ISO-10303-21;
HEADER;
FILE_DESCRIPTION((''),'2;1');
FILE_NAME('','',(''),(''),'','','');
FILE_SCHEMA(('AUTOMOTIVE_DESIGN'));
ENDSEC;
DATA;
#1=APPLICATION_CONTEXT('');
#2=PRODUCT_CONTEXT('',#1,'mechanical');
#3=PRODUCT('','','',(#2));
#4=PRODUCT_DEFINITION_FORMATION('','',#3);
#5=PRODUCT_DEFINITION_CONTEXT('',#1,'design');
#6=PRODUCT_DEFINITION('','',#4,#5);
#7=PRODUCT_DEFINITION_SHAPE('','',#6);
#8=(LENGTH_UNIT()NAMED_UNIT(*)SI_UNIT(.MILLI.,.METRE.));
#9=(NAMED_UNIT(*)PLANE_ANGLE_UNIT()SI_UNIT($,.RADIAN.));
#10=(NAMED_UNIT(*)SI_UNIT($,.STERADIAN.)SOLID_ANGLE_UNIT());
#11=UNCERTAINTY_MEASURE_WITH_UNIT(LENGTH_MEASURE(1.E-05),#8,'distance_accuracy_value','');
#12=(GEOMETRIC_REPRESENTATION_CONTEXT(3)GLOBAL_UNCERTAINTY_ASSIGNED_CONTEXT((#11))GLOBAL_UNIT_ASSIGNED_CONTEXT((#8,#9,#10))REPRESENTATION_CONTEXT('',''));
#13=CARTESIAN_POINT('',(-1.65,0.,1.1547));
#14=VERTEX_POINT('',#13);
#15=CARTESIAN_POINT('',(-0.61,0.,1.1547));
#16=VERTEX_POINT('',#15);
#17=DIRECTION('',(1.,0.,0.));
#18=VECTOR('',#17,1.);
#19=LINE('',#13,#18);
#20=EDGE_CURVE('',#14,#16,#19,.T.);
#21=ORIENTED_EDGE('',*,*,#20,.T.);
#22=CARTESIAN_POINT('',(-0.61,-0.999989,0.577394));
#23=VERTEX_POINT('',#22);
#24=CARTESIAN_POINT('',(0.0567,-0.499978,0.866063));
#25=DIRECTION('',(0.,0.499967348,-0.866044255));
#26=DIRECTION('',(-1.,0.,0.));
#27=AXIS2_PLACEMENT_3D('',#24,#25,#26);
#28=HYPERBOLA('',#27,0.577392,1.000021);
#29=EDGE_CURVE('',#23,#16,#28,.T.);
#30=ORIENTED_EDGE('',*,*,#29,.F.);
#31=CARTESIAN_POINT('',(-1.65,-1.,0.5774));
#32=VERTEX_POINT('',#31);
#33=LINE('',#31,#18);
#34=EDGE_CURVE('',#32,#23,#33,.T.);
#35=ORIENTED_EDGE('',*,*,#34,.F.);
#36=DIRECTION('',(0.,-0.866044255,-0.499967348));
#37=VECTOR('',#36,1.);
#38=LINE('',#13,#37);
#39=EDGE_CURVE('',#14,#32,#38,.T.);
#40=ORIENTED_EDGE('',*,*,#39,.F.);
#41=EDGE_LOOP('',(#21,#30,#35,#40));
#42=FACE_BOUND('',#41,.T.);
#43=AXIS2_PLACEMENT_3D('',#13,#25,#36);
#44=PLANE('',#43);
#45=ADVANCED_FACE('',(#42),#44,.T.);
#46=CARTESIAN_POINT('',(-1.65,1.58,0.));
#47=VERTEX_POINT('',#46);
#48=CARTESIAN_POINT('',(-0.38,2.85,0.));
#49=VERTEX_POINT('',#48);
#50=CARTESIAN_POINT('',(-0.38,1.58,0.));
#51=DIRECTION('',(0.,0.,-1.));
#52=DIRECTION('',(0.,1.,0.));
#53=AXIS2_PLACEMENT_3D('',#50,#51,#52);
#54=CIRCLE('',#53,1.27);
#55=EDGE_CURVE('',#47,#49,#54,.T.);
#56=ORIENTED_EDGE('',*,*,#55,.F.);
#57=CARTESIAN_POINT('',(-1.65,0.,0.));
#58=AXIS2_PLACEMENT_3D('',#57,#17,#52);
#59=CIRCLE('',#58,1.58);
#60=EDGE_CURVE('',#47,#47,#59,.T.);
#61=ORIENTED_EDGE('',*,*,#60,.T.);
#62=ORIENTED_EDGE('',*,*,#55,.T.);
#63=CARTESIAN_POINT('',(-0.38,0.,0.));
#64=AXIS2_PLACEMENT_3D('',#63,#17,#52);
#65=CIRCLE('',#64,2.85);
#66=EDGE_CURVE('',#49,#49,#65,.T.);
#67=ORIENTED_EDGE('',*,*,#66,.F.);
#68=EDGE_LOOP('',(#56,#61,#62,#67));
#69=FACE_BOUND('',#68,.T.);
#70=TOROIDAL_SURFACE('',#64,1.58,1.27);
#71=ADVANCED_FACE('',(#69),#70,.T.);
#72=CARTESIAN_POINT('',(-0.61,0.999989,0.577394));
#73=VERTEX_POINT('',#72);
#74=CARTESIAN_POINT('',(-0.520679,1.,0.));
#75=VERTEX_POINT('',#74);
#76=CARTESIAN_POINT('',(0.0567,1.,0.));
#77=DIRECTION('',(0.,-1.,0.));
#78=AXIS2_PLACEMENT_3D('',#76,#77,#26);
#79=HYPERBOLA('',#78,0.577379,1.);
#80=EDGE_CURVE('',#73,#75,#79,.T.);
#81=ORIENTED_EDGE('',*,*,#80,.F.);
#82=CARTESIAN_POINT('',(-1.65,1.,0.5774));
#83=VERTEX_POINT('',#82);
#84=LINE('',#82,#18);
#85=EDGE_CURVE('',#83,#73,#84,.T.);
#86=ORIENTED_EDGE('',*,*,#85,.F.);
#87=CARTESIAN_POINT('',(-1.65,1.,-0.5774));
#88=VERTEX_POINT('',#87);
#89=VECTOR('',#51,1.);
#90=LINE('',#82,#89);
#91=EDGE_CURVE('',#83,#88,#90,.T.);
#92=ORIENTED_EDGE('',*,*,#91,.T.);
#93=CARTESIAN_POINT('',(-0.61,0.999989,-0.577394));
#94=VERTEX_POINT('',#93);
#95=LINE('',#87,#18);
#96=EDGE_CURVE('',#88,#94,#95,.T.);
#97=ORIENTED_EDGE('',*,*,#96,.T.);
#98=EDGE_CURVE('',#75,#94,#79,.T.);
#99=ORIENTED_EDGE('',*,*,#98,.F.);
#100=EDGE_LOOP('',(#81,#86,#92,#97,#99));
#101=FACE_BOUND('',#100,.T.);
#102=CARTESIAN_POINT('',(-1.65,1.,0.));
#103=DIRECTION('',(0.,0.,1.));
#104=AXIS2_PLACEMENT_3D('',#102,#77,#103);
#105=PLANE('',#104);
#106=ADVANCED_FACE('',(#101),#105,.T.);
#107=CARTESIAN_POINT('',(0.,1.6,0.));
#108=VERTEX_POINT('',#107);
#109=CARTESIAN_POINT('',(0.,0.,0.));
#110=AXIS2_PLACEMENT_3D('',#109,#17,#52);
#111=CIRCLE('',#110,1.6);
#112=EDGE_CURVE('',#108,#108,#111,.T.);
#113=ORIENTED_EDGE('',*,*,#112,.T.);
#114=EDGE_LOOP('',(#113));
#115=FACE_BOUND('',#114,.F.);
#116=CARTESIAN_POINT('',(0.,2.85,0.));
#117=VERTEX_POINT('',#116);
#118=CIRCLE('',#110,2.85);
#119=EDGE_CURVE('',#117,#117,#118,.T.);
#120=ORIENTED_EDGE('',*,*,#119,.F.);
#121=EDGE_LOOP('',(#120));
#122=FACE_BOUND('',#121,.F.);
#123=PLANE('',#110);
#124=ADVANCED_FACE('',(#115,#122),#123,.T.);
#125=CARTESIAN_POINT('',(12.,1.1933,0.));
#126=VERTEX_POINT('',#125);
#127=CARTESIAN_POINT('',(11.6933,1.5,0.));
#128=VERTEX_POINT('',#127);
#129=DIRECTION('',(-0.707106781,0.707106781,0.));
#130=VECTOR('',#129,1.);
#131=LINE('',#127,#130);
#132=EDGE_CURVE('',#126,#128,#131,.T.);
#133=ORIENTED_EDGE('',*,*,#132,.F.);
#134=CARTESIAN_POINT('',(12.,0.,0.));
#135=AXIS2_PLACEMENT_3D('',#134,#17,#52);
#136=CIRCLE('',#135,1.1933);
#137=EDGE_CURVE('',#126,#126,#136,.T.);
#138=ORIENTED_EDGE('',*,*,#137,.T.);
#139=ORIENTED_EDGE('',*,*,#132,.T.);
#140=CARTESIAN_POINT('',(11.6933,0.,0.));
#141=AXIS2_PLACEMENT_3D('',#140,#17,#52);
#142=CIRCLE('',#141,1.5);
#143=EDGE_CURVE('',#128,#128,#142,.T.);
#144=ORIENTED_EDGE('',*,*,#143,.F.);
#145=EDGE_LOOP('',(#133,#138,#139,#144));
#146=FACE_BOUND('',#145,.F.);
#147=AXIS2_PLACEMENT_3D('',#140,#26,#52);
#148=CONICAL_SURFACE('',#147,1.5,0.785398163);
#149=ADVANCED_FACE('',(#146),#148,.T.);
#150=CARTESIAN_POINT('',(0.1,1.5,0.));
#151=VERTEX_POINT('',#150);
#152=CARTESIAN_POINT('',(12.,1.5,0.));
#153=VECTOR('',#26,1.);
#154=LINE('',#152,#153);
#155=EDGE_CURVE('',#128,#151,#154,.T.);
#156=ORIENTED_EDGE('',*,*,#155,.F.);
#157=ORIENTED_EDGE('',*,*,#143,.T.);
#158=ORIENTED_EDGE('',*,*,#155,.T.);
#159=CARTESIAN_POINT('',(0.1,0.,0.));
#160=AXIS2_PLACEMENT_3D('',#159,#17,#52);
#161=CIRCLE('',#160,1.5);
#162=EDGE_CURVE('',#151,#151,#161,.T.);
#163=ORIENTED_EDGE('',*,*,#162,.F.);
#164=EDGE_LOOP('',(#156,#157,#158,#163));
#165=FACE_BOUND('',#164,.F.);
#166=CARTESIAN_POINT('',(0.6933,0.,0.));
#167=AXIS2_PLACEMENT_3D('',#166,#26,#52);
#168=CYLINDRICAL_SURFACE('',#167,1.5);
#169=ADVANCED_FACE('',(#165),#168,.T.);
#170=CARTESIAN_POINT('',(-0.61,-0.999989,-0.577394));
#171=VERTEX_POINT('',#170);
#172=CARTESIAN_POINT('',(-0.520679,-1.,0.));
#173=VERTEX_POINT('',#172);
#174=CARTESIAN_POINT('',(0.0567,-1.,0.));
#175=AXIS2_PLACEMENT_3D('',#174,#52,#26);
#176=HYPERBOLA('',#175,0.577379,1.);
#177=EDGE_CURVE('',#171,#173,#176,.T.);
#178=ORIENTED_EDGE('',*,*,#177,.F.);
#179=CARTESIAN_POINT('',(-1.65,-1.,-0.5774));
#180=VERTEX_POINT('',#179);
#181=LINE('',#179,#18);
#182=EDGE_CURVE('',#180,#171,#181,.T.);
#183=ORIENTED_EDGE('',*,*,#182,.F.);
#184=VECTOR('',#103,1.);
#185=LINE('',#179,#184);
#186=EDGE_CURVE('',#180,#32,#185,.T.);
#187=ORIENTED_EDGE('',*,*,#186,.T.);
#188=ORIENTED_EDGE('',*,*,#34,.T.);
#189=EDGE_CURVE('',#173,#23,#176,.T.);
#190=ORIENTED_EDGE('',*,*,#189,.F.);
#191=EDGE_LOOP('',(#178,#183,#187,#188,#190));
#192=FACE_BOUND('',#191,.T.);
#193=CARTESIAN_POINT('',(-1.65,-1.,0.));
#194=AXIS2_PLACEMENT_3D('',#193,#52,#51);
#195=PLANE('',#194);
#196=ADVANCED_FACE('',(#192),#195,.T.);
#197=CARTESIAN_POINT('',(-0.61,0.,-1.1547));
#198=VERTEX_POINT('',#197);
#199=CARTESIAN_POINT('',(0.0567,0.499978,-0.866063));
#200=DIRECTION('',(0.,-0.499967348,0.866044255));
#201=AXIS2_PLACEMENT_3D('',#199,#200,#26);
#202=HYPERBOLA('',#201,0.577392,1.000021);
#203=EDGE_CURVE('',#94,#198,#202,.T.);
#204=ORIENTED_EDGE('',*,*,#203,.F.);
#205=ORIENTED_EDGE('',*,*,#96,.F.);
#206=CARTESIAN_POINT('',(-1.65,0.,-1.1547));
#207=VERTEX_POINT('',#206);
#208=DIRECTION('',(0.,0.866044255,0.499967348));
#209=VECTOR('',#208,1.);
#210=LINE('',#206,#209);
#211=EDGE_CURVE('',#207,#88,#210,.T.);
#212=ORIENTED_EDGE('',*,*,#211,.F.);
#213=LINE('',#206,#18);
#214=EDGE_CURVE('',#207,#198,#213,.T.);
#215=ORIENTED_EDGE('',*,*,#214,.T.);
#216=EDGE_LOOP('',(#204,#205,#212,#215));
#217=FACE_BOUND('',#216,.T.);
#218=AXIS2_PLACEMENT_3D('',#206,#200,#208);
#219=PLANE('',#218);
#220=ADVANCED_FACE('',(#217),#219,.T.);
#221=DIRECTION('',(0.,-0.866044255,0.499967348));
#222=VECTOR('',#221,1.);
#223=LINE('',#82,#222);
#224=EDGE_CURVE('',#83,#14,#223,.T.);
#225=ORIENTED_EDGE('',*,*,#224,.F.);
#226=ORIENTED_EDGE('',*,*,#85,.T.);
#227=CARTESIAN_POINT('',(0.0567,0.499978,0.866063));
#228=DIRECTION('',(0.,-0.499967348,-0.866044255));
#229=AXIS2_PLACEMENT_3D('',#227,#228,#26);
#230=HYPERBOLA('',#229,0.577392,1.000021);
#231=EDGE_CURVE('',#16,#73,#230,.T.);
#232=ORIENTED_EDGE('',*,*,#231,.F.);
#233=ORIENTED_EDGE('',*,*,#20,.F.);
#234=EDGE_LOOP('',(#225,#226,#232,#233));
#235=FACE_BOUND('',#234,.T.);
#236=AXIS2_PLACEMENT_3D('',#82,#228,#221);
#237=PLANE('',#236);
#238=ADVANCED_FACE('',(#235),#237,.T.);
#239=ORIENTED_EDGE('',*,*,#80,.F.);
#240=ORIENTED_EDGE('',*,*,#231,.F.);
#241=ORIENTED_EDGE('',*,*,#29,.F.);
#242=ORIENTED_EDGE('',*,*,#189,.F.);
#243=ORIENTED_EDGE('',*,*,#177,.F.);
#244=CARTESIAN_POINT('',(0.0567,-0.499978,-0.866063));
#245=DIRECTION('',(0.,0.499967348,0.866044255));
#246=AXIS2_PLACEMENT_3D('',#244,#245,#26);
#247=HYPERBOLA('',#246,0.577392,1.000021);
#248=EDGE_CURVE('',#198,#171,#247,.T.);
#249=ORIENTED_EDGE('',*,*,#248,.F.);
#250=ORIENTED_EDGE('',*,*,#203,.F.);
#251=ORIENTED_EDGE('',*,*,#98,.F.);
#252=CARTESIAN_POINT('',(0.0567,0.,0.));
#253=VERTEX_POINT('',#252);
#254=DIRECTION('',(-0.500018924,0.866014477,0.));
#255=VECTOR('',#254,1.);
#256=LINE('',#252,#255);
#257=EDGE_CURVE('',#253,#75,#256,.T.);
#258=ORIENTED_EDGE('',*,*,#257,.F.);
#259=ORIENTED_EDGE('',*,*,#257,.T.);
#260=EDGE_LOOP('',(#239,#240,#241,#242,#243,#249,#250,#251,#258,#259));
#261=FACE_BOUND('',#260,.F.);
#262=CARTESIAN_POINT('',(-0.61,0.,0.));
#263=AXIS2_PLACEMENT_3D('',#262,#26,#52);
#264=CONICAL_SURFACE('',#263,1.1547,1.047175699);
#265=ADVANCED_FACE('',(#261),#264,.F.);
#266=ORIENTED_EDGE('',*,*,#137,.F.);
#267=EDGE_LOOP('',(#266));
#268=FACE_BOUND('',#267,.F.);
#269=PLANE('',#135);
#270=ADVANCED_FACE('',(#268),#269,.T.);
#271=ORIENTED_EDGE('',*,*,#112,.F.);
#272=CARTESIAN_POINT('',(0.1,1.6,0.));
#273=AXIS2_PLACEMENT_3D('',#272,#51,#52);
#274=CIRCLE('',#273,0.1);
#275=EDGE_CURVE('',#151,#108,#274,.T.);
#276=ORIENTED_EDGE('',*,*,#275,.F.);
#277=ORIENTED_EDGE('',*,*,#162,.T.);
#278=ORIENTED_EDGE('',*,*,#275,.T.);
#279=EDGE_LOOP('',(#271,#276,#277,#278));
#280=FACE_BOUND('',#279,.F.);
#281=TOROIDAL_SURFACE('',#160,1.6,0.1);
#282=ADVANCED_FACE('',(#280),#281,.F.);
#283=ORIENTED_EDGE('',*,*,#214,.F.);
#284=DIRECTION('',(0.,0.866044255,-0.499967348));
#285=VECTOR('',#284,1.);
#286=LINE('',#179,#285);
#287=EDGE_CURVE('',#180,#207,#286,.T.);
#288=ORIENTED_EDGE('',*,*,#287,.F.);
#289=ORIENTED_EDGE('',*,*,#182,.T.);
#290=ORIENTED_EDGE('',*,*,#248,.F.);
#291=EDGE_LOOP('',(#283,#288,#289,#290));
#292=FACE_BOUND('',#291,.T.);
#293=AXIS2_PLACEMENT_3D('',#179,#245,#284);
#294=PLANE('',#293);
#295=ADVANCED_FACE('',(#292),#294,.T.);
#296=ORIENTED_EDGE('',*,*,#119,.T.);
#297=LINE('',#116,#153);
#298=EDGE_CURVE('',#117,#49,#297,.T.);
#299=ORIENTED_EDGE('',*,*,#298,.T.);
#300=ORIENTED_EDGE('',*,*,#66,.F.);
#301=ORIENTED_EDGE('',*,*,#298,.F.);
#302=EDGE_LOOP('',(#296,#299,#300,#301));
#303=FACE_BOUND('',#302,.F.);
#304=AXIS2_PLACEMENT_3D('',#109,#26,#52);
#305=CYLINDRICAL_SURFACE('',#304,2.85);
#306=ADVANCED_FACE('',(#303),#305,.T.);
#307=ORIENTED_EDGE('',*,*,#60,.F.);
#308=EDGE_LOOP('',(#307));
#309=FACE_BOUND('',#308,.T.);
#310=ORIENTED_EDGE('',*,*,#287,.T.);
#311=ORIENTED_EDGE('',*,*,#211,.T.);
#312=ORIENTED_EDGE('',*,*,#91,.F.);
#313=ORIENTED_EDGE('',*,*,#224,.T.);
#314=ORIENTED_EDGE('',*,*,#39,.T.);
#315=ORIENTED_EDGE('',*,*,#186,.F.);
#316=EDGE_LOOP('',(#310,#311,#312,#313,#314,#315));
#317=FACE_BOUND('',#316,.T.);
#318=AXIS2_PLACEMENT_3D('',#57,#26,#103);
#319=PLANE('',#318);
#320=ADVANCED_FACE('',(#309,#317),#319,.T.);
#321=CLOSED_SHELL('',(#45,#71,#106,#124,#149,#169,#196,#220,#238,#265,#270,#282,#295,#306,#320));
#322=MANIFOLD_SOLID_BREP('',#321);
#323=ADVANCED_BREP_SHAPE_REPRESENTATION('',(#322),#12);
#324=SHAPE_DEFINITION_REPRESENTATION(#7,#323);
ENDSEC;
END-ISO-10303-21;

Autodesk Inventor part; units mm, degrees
ref_plane "YZ Plane" through (0, 0, 0) normal (1, 0, 0) x (0, 1, 0)
ref_plane "XZ Plane" through (0, 0, 0) normal (0, 1, 0) x (-1, 0, 0)
sketch "Sketch1" plane through (0, 0, 0) normal (0, 0, 1) x (1, 0, 0)
  line L0 (0.0567, 0) -> (12, 0)
  line L1 (12, 0) -> (12, 1.5)
  line L2 (12, 1.5) -> (1, 1.5)
  line L3 (1, 1.5) -> (0.6933, 1.5)
  line L4 (0.6933, 1.5) -> (0, 1.5)
  line L5 (0, 1.5) -> (0, 2.85)
  line L6 (0, 2.85) -> (-1.65, 2.85)
  line L7 (-1.65, 2.85) -> (-1.65, 1.1547)
  line L8 (-1.65, 1.1547) -> (-0.61, 1.1547)
  line L9 (-0.61, 1.1547) -> (0.0567, 0)
  line L10 (-4.38, 0) -> (14.73, 0) projected
  line L11 (0, -0.57) -> (0, 3.42) projected
  line L12 (1, 1.5) -> (0, 1.5) construction
  dimension "d0" = 11
  dimension "d1" = 0.3067
  dimension "d2" = 1.65
  dimension "d3" = 1.04
  dimension "d4" = 60
  dimension "d5" = 3
  dimension "d6" = 3
  dimension "d7" = 2.3094
  dimension "d8" = 5.7
  dimension "d19" = 12
revolve "Body" add sketch "Sketch1" angle 360 about axis through (0.0567, 0, 0) along (1, 0, 0) contours L9 L11 L4 L3 L2 L1 L0 | L9 L8 L7 L6 L5 L11
sketch "Sketch2" plane through (-1.65, 0, 0) normal (-1, 0, 0) x (0, 0, 1)
  circle A0 centre (0, 0) radius 1.1547 projected
  line L0 (0, -3.99) -> (0, 3.99) projected
  line L1 (-3.99, 0) -> (3.99, 0) projected
  line L2 (1.1547, 0) -> (0.5774, -1)
  line L3 (0.5774, -1) -> (-0.5774, -1)
  line L4 (-0.5774, -1) -> (-1.1547, 0)
  line L5 (-1.1547, 0) -> (-0.5774, 1)
  line L6 (-0.5774, 1) -> (0.5774, 1)
  line L7 (0.5774, 1) -> (1.1547, 0)
extrude "Slot" add sketch "Sketch2" against normal up to next contours L7 A0 | A0 L2 | L6 L0 A0 | A0 L0 L3 | L0 L6 A0 | A0 L3 L0 | L4 A0 | A0 L5
fillet "Fillet1" radius 1.27 1 edges at (-1.65, -2.85, 0)
thread "Thread" size "M3x0.5" class "4g6g" standard "ANSI Metric M Profile" length 11
chamfer "Chamfer1" distance 0.3067 distance2 0.3067 1 edges at (12, -1.5, 0) measured on face at (12, -0.6587, -0.1791)
fillet "Fillet2" radius 0.1 1 edges at (0, -1.5, 0)
ref_plane "Work Plane1" through (30, 0, 0) normal (0, -0.5, 0.866) x (1, 0, 0)
equation "\"d0\" = GEL"
equation "\"d1\" = GAL"
equation "\"d2\" = KOH"
equation "\"d3\" = INTI"
equation "\"d5\" = GD"
equation "\"d6\" = BDM"
equation "\"d7\" = 1.1547 * SW"
equation "\"d8\" = KOD"
equation "\"d19\" = NLG"
equation "\"d16\" = RR"
equation "\"d12\" = GEL"
equation "\"d14\" = -0.5 * SPD + 0.5 * GD"
equation "\"d15\" = GUL"
equation "\"d29\" = R"
equation "\"GD\" = NND"
equation "\"NLG\" = 12"
equation "\"GEL\" = 11"
equation "\"KOD\" = 5.7"
equation "\"KOH\" = 1.65"
equation "\"INTI\" = 1.04"
equation "\"GAL\" = 0.61345 * PTC"
equation "\"GUL\" = 0.61345 * PTC"
equation "\"BDM\" = NND"
equation "\"SW\" = 2"
equation "\"RR\" = 1.27"
equation "\"SPD\" = 2.38655"
equation "\"d28\" = R"
equation "\"R\" = 0.1"
equation "\"TOA\" = 30deg"
equation "\"THREADDIA\" = 3"
equation "\"KOD1\" = KOD - 2 * RR"
equation "\"PTC\" = 0.5"
equation "\"NND\" = 3"
equation "\"E0\" = 1.155 * SW"
equation "\"GD1\" = THREADDIA - 1.2269 * PTC"
properties part number "ANSI B18.3.4M - M3 x 0.5 x 12, FHSBHCSM" material "Steel, Mild"
